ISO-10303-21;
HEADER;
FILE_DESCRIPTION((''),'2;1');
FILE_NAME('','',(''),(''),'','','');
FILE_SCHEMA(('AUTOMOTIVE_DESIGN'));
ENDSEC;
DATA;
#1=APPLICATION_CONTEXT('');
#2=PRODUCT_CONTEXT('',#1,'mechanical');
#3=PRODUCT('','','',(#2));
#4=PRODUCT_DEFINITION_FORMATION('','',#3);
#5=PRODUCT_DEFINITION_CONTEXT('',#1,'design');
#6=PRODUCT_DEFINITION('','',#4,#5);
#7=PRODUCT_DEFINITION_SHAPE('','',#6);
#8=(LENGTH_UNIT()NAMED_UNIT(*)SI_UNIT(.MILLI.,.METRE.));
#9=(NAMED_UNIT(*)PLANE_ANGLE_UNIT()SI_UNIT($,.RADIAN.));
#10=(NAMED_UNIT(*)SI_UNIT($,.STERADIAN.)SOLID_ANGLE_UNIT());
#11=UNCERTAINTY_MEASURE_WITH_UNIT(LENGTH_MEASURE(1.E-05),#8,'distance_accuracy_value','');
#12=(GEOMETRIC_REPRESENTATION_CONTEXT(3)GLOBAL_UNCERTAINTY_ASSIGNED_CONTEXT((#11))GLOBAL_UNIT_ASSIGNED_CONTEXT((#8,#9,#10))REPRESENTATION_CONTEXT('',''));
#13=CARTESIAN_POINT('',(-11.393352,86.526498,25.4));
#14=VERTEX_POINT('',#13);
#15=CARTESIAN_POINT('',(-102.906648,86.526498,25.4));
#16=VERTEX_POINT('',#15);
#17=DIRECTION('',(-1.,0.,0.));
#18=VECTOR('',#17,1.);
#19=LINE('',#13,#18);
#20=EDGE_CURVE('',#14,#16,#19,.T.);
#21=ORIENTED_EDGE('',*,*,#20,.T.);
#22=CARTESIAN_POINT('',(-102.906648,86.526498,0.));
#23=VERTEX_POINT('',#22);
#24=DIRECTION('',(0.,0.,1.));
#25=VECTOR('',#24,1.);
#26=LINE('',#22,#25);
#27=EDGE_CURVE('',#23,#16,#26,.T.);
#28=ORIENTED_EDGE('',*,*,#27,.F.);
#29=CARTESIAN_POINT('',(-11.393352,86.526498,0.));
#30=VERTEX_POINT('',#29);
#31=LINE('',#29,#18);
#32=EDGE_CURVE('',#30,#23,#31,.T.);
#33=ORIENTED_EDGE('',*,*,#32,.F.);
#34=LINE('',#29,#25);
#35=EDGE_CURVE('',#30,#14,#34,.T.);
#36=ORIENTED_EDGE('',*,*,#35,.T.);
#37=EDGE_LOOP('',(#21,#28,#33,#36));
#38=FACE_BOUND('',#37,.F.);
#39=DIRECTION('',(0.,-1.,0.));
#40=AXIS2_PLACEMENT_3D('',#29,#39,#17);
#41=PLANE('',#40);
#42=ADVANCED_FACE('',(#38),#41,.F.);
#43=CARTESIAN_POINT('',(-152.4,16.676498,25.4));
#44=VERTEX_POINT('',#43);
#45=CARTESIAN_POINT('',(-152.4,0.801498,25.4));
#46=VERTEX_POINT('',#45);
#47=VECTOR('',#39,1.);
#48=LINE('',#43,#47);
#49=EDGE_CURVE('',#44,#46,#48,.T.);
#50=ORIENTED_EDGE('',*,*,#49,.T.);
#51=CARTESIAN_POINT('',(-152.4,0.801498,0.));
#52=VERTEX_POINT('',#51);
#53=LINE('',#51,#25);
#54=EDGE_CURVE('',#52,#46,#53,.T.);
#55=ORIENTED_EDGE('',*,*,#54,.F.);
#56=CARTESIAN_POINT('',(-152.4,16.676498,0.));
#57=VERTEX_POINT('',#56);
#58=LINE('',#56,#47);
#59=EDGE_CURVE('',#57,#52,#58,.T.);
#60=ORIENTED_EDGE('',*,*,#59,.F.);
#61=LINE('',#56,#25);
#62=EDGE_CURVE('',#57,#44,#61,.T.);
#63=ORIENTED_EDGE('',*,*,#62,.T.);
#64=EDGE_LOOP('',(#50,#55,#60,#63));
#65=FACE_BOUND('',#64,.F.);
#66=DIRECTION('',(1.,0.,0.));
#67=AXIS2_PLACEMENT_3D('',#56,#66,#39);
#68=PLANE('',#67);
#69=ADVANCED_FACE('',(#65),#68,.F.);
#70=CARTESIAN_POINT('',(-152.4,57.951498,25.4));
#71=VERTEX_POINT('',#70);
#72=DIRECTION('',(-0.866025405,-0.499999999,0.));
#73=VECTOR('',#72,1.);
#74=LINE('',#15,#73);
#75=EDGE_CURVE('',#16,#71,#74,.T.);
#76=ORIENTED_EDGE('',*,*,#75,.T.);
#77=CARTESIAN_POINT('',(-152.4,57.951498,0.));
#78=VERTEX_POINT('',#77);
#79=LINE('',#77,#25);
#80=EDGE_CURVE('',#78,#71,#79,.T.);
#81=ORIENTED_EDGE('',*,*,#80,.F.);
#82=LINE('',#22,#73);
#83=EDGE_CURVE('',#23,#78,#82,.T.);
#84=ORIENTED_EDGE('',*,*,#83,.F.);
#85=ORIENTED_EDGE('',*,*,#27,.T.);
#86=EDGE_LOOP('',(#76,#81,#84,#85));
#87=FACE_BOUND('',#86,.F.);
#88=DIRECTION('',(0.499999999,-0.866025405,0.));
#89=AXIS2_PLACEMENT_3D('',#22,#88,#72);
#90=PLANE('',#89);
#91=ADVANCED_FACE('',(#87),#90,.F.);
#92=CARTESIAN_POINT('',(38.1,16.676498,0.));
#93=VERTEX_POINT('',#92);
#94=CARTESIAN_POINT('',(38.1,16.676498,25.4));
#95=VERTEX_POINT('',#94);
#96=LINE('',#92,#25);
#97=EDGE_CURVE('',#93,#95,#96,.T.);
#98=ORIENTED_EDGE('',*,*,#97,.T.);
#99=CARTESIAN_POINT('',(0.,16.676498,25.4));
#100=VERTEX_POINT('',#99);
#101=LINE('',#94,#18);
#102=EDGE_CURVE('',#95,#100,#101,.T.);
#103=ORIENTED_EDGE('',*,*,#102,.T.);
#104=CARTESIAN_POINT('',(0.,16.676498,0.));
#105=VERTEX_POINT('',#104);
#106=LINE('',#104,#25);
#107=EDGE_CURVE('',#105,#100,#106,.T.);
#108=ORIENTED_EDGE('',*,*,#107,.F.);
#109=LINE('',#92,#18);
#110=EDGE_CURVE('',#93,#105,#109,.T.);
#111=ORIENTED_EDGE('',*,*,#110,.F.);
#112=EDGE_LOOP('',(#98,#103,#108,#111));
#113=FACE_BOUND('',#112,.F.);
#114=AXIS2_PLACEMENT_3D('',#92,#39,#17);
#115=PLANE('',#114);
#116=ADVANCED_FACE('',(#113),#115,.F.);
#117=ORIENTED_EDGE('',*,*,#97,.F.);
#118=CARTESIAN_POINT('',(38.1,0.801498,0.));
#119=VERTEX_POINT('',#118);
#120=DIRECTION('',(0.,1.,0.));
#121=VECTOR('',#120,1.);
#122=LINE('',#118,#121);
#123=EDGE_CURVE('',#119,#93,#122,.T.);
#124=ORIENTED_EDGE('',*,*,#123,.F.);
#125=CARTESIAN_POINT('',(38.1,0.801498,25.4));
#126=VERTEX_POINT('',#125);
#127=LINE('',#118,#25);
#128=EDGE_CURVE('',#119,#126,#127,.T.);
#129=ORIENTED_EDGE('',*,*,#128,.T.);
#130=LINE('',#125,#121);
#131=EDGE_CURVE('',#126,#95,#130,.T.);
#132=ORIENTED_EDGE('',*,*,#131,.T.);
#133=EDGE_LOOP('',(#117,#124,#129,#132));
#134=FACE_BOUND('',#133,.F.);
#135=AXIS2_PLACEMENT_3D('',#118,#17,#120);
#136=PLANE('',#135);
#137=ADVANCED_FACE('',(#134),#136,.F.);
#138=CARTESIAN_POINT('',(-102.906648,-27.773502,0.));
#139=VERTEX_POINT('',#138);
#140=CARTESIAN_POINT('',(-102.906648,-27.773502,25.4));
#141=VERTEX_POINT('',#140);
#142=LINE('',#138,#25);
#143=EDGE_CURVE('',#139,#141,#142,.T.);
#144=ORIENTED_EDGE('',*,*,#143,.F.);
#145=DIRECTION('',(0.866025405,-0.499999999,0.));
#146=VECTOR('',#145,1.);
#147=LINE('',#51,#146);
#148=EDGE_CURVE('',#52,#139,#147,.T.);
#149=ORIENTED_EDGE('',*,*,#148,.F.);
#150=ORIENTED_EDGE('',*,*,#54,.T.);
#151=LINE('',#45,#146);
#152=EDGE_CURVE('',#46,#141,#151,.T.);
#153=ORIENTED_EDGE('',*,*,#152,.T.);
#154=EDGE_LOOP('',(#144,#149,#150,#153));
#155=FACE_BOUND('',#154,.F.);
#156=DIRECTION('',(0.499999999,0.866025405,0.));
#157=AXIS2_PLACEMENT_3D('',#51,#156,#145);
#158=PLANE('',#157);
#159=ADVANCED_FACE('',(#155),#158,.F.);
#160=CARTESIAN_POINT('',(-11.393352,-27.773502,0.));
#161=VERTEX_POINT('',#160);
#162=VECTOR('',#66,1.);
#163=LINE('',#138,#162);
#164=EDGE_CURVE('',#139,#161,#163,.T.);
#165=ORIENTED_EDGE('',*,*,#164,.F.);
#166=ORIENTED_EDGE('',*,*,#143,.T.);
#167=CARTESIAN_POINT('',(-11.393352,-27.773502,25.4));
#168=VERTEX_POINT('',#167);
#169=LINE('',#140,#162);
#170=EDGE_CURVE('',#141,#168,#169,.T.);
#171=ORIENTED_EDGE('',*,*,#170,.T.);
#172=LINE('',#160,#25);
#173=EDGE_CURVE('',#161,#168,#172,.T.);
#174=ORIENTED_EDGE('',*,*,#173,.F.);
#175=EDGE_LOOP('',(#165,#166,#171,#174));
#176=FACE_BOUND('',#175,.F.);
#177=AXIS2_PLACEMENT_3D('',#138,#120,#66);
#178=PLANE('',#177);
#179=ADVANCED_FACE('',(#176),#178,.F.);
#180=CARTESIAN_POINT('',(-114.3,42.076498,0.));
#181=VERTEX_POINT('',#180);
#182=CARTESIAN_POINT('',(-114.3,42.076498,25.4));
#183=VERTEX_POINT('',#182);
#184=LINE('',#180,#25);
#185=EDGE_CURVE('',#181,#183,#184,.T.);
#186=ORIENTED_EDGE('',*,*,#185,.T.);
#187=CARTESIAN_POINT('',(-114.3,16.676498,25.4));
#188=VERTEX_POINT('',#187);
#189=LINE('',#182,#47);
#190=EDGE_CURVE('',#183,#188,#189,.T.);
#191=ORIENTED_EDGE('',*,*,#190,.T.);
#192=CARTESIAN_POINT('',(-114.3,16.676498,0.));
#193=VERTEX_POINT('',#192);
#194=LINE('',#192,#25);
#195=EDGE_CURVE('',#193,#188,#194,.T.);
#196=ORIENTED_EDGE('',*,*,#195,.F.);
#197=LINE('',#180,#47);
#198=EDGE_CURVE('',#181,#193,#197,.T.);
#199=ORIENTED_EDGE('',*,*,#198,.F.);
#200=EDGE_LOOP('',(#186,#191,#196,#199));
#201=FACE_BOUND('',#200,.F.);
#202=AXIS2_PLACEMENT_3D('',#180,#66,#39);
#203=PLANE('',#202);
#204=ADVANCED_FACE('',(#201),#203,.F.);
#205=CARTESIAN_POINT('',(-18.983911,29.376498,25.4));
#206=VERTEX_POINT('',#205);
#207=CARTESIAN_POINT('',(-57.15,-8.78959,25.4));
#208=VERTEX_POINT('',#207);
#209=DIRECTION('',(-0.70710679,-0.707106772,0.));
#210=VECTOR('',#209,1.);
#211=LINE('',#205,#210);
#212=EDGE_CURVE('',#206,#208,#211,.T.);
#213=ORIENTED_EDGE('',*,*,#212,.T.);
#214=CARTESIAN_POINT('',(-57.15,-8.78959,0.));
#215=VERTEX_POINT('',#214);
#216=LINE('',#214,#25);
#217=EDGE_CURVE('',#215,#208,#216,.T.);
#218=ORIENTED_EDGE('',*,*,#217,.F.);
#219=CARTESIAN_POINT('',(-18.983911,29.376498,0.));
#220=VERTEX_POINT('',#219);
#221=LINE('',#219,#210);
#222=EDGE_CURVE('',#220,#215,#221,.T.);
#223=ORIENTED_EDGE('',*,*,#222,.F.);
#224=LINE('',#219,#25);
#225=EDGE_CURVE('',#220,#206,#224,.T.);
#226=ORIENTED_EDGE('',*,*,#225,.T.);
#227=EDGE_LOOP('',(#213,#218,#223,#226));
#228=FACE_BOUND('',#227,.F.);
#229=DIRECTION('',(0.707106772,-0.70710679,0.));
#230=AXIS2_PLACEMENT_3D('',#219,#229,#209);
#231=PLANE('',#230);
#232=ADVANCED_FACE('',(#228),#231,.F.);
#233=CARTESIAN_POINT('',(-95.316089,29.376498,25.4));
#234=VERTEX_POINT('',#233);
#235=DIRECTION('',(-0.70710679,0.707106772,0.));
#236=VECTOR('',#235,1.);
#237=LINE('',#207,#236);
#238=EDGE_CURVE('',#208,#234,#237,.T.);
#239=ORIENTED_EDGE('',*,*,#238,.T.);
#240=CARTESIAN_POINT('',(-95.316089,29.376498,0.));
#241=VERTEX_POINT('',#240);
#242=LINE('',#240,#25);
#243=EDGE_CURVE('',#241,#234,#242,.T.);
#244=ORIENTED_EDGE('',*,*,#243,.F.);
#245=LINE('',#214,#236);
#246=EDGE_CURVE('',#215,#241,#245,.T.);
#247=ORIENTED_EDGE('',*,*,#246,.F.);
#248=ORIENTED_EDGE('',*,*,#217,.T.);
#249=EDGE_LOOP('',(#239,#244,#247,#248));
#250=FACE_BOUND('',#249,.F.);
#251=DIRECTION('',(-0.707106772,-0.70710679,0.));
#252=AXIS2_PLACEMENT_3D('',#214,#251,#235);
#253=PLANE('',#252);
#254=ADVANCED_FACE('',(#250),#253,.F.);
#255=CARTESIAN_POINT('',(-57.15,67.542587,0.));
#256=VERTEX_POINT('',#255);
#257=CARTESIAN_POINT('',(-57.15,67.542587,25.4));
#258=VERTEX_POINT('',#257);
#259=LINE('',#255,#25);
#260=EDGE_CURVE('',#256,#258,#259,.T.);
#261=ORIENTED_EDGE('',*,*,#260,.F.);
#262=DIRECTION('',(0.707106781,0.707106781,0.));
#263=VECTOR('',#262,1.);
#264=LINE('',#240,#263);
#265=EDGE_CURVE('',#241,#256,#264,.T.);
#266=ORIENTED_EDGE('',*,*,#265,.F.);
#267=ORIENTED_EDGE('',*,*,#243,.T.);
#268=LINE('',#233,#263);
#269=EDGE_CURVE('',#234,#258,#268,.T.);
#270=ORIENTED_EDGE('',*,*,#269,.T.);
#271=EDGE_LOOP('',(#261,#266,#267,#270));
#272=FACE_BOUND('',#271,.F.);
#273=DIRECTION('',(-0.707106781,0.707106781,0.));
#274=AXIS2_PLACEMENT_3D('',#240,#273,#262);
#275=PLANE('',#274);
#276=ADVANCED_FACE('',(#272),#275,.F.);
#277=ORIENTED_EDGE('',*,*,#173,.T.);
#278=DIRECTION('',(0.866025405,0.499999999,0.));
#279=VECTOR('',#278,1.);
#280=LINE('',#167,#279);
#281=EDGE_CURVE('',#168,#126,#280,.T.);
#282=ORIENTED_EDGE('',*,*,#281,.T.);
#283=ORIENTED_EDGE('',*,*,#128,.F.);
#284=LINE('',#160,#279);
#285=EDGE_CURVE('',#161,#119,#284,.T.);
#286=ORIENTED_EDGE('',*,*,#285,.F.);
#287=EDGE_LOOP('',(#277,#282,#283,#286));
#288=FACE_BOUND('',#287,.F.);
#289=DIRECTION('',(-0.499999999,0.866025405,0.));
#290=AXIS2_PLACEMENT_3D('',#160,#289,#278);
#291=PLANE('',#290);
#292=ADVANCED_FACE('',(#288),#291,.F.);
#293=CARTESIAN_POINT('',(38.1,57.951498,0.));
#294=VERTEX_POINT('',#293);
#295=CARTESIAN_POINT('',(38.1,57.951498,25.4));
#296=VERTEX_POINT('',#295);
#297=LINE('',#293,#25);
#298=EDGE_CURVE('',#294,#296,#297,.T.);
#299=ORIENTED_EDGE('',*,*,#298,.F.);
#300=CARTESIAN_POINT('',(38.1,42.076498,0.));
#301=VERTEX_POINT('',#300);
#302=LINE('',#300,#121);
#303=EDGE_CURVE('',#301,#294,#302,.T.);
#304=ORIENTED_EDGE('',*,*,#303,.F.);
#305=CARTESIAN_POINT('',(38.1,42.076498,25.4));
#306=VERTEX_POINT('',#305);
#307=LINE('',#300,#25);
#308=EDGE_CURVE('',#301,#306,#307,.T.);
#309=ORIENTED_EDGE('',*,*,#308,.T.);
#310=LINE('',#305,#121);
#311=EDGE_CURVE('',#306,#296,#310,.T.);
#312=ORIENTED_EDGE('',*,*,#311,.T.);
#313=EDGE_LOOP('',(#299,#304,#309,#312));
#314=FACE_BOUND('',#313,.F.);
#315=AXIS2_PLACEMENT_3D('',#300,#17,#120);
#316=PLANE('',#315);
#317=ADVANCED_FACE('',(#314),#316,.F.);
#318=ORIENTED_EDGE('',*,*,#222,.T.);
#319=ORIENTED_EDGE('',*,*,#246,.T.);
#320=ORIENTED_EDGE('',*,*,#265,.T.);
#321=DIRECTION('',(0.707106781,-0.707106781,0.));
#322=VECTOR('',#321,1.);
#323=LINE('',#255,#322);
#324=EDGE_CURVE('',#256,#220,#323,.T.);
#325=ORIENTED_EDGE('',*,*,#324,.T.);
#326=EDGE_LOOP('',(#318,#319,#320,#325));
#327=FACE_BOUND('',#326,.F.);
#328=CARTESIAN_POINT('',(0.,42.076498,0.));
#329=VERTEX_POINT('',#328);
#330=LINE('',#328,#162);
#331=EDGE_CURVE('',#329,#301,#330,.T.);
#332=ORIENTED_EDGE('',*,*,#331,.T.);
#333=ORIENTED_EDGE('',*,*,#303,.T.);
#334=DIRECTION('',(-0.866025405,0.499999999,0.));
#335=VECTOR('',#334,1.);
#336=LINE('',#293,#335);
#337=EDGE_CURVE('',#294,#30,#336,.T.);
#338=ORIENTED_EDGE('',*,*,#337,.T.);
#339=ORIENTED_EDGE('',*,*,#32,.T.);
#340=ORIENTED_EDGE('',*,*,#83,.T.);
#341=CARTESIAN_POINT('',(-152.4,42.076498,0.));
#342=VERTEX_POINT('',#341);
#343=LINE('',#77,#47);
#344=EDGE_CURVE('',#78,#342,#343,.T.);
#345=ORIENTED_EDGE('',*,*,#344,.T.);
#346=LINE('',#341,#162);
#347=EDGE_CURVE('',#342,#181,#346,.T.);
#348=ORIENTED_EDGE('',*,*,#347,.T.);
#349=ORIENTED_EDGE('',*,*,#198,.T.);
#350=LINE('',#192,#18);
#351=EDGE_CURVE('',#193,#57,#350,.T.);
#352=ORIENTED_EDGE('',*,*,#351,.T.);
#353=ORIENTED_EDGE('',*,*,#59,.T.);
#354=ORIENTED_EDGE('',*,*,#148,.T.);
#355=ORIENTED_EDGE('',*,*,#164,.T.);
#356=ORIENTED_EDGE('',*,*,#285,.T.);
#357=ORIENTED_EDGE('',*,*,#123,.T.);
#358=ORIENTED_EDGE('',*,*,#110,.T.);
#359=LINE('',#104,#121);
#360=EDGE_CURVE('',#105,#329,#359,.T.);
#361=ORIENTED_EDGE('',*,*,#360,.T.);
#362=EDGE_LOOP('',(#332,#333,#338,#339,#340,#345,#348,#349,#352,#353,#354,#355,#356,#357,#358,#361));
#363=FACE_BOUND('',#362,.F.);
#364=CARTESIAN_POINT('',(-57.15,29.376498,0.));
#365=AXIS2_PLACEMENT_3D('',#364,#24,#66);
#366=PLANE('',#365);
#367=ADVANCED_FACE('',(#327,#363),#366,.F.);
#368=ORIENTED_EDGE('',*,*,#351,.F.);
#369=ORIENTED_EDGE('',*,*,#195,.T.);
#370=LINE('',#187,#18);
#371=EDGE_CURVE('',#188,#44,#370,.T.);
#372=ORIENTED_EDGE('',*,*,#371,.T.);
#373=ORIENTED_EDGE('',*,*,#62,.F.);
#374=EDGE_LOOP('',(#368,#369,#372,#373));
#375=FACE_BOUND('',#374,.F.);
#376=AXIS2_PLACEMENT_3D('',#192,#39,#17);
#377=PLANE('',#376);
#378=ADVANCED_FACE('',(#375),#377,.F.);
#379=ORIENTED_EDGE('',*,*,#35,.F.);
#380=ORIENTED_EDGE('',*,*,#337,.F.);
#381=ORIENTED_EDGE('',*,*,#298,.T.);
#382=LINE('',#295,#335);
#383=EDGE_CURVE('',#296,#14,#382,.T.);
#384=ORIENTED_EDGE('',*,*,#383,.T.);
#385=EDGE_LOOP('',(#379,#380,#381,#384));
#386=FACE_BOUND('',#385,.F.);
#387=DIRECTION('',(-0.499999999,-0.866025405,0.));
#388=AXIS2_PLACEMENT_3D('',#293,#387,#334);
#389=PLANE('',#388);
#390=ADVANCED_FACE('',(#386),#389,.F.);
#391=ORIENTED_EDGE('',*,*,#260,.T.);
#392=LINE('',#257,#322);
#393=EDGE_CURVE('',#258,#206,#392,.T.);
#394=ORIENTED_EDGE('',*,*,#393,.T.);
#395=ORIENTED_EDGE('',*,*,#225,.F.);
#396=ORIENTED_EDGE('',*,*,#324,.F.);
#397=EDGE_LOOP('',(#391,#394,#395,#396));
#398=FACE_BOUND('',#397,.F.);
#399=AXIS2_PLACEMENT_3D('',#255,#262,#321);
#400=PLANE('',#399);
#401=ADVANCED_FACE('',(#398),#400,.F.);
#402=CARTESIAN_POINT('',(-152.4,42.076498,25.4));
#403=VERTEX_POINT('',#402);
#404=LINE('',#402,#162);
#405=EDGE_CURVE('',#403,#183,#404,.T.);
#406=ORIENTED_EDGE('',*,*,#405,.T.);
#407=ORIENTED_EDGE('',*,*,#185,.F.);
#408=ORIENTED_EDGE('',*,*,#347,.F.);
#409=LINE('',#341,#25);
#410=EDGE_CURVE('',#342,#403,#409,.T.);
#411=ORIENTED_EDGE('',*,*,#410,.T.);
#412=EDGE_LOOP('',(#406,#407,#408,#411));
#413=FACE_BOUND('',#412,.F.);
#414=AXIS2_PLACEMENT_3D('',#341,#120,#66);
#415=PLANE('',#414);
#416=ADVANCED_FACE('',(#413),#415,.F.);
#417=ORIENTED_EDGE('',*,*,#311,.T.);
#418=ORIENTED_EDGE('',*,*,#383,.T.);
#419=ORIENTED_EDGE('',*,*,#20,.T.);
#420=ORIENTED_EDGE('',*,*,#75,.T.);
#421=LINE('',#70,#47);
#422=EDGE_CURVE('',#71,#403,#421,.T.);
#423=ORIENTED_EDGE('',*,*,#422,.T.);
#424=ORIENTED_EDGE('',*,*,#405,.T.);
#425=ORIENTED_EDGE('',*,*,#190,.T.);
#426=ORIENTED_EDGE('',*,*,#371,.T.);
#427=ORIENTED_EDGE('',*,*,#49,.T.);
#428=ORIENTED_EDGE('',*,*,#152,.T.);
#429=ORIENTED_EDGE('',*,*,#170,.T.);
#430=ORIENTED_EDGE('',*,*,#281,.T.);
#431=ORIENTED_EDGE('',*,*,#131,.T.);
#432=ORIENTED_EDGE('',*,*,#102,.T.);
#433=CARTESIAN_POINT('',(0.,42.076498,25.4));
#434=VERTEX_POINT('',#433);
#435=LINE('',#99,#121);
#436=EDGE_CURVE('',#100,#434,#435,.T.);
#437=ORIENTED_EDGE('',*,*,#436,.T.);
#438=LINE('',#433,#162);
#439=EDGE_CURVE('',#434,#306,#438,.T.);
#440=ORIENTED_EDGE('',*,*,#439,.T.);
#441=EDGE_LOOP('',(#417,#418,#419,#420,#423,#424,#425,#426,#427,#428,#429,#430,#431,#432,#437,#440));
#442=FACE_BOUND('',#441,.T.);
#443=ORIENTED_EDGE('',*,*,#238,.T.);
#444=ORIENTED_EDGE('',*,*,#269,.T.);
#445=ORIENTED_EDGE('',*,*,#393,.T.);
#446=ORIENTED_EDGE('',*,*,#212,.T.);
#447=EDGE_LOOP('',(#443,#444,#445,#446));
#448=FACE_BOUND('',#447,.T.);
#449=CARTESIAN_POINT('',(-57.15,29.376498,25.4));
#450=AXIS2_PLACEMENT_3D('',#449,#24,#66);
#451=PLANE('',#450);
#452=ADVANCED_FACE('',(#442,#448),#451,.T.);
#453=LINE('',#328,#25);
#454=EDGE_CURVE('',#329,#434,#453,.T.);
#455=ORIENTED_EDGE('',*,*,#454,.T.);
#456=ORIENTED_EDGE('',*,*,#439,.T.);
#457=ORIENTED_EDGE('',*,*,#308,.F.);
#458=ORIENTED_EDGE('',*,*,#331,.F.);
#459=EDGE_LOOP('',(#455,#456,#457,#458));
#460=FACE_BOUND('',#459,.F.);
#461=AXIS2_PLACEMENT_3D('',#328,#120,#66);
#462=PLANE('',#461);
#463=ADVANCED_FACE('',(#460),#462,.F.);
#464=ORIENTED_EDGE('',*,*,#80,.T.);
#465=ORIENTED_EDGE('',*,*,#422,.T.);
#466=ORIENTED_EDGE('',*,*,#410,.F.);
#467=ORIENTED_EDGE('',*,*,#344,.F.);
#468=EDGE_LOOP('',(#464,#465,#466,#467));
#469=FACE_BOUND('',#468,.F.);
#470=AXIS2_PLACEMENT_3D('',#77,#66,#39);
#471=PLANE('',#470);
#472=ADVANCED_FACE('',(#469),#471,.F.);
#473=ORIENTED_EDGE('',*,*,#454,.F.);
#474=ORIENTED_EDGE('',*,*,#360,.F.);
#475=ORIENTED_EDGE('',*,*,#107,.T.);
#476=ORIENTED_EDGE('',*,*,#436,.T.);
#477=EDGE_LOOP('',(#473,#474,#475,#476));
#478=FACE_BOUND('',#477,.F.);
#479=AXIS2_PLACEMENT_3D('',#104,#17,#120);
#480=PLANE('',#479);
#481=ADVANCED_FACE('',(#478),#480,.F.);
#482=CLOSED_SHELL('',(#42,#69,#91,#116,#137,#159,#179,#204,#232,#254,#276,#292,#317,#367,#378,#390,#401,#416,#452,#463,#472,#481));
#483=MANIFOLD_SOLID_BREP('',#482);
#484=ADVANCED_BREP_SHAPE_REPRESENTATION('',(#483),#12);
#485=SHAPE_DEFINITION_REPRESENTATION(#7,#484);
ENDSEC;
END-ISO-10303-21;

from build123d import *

# Parameters (mm, degrees)
F1_DEPTH = 25.4


with BuildPart() as f1:
    # F0 (on Top) → F1 (new body)
    with BuildSketch(Plane.XY):
        Polygon((0, 16.676498), (0, 29.376498), (0, 42.076498), (38.1, 42.076498), (38.1, 57.951498), (-11.393352, 86.526498), (-102.906648, 86.526498), (-152.4, 57.951498), (-152.4, 42.076498), (-114.3, 42.076498), (-114.3, 29.376498), (-114.3, 16.676498), (-152.4, 16.676498), (-152.4, 0.801498), (-102.906648, -27.773502), (-11.393352, -27.773502), (38.1, 0.801498), (38.1, 16.676498), align=None)
        Polygon((-57.15, -8.78959), (-95.316089, 29.376498), (-57.15, 67.542587), (-18.983911, 29.376498), align=None, mode=Mode.SUBTRACT)
    extrude(amount=F1_DEPTH)


solid = f1.part
